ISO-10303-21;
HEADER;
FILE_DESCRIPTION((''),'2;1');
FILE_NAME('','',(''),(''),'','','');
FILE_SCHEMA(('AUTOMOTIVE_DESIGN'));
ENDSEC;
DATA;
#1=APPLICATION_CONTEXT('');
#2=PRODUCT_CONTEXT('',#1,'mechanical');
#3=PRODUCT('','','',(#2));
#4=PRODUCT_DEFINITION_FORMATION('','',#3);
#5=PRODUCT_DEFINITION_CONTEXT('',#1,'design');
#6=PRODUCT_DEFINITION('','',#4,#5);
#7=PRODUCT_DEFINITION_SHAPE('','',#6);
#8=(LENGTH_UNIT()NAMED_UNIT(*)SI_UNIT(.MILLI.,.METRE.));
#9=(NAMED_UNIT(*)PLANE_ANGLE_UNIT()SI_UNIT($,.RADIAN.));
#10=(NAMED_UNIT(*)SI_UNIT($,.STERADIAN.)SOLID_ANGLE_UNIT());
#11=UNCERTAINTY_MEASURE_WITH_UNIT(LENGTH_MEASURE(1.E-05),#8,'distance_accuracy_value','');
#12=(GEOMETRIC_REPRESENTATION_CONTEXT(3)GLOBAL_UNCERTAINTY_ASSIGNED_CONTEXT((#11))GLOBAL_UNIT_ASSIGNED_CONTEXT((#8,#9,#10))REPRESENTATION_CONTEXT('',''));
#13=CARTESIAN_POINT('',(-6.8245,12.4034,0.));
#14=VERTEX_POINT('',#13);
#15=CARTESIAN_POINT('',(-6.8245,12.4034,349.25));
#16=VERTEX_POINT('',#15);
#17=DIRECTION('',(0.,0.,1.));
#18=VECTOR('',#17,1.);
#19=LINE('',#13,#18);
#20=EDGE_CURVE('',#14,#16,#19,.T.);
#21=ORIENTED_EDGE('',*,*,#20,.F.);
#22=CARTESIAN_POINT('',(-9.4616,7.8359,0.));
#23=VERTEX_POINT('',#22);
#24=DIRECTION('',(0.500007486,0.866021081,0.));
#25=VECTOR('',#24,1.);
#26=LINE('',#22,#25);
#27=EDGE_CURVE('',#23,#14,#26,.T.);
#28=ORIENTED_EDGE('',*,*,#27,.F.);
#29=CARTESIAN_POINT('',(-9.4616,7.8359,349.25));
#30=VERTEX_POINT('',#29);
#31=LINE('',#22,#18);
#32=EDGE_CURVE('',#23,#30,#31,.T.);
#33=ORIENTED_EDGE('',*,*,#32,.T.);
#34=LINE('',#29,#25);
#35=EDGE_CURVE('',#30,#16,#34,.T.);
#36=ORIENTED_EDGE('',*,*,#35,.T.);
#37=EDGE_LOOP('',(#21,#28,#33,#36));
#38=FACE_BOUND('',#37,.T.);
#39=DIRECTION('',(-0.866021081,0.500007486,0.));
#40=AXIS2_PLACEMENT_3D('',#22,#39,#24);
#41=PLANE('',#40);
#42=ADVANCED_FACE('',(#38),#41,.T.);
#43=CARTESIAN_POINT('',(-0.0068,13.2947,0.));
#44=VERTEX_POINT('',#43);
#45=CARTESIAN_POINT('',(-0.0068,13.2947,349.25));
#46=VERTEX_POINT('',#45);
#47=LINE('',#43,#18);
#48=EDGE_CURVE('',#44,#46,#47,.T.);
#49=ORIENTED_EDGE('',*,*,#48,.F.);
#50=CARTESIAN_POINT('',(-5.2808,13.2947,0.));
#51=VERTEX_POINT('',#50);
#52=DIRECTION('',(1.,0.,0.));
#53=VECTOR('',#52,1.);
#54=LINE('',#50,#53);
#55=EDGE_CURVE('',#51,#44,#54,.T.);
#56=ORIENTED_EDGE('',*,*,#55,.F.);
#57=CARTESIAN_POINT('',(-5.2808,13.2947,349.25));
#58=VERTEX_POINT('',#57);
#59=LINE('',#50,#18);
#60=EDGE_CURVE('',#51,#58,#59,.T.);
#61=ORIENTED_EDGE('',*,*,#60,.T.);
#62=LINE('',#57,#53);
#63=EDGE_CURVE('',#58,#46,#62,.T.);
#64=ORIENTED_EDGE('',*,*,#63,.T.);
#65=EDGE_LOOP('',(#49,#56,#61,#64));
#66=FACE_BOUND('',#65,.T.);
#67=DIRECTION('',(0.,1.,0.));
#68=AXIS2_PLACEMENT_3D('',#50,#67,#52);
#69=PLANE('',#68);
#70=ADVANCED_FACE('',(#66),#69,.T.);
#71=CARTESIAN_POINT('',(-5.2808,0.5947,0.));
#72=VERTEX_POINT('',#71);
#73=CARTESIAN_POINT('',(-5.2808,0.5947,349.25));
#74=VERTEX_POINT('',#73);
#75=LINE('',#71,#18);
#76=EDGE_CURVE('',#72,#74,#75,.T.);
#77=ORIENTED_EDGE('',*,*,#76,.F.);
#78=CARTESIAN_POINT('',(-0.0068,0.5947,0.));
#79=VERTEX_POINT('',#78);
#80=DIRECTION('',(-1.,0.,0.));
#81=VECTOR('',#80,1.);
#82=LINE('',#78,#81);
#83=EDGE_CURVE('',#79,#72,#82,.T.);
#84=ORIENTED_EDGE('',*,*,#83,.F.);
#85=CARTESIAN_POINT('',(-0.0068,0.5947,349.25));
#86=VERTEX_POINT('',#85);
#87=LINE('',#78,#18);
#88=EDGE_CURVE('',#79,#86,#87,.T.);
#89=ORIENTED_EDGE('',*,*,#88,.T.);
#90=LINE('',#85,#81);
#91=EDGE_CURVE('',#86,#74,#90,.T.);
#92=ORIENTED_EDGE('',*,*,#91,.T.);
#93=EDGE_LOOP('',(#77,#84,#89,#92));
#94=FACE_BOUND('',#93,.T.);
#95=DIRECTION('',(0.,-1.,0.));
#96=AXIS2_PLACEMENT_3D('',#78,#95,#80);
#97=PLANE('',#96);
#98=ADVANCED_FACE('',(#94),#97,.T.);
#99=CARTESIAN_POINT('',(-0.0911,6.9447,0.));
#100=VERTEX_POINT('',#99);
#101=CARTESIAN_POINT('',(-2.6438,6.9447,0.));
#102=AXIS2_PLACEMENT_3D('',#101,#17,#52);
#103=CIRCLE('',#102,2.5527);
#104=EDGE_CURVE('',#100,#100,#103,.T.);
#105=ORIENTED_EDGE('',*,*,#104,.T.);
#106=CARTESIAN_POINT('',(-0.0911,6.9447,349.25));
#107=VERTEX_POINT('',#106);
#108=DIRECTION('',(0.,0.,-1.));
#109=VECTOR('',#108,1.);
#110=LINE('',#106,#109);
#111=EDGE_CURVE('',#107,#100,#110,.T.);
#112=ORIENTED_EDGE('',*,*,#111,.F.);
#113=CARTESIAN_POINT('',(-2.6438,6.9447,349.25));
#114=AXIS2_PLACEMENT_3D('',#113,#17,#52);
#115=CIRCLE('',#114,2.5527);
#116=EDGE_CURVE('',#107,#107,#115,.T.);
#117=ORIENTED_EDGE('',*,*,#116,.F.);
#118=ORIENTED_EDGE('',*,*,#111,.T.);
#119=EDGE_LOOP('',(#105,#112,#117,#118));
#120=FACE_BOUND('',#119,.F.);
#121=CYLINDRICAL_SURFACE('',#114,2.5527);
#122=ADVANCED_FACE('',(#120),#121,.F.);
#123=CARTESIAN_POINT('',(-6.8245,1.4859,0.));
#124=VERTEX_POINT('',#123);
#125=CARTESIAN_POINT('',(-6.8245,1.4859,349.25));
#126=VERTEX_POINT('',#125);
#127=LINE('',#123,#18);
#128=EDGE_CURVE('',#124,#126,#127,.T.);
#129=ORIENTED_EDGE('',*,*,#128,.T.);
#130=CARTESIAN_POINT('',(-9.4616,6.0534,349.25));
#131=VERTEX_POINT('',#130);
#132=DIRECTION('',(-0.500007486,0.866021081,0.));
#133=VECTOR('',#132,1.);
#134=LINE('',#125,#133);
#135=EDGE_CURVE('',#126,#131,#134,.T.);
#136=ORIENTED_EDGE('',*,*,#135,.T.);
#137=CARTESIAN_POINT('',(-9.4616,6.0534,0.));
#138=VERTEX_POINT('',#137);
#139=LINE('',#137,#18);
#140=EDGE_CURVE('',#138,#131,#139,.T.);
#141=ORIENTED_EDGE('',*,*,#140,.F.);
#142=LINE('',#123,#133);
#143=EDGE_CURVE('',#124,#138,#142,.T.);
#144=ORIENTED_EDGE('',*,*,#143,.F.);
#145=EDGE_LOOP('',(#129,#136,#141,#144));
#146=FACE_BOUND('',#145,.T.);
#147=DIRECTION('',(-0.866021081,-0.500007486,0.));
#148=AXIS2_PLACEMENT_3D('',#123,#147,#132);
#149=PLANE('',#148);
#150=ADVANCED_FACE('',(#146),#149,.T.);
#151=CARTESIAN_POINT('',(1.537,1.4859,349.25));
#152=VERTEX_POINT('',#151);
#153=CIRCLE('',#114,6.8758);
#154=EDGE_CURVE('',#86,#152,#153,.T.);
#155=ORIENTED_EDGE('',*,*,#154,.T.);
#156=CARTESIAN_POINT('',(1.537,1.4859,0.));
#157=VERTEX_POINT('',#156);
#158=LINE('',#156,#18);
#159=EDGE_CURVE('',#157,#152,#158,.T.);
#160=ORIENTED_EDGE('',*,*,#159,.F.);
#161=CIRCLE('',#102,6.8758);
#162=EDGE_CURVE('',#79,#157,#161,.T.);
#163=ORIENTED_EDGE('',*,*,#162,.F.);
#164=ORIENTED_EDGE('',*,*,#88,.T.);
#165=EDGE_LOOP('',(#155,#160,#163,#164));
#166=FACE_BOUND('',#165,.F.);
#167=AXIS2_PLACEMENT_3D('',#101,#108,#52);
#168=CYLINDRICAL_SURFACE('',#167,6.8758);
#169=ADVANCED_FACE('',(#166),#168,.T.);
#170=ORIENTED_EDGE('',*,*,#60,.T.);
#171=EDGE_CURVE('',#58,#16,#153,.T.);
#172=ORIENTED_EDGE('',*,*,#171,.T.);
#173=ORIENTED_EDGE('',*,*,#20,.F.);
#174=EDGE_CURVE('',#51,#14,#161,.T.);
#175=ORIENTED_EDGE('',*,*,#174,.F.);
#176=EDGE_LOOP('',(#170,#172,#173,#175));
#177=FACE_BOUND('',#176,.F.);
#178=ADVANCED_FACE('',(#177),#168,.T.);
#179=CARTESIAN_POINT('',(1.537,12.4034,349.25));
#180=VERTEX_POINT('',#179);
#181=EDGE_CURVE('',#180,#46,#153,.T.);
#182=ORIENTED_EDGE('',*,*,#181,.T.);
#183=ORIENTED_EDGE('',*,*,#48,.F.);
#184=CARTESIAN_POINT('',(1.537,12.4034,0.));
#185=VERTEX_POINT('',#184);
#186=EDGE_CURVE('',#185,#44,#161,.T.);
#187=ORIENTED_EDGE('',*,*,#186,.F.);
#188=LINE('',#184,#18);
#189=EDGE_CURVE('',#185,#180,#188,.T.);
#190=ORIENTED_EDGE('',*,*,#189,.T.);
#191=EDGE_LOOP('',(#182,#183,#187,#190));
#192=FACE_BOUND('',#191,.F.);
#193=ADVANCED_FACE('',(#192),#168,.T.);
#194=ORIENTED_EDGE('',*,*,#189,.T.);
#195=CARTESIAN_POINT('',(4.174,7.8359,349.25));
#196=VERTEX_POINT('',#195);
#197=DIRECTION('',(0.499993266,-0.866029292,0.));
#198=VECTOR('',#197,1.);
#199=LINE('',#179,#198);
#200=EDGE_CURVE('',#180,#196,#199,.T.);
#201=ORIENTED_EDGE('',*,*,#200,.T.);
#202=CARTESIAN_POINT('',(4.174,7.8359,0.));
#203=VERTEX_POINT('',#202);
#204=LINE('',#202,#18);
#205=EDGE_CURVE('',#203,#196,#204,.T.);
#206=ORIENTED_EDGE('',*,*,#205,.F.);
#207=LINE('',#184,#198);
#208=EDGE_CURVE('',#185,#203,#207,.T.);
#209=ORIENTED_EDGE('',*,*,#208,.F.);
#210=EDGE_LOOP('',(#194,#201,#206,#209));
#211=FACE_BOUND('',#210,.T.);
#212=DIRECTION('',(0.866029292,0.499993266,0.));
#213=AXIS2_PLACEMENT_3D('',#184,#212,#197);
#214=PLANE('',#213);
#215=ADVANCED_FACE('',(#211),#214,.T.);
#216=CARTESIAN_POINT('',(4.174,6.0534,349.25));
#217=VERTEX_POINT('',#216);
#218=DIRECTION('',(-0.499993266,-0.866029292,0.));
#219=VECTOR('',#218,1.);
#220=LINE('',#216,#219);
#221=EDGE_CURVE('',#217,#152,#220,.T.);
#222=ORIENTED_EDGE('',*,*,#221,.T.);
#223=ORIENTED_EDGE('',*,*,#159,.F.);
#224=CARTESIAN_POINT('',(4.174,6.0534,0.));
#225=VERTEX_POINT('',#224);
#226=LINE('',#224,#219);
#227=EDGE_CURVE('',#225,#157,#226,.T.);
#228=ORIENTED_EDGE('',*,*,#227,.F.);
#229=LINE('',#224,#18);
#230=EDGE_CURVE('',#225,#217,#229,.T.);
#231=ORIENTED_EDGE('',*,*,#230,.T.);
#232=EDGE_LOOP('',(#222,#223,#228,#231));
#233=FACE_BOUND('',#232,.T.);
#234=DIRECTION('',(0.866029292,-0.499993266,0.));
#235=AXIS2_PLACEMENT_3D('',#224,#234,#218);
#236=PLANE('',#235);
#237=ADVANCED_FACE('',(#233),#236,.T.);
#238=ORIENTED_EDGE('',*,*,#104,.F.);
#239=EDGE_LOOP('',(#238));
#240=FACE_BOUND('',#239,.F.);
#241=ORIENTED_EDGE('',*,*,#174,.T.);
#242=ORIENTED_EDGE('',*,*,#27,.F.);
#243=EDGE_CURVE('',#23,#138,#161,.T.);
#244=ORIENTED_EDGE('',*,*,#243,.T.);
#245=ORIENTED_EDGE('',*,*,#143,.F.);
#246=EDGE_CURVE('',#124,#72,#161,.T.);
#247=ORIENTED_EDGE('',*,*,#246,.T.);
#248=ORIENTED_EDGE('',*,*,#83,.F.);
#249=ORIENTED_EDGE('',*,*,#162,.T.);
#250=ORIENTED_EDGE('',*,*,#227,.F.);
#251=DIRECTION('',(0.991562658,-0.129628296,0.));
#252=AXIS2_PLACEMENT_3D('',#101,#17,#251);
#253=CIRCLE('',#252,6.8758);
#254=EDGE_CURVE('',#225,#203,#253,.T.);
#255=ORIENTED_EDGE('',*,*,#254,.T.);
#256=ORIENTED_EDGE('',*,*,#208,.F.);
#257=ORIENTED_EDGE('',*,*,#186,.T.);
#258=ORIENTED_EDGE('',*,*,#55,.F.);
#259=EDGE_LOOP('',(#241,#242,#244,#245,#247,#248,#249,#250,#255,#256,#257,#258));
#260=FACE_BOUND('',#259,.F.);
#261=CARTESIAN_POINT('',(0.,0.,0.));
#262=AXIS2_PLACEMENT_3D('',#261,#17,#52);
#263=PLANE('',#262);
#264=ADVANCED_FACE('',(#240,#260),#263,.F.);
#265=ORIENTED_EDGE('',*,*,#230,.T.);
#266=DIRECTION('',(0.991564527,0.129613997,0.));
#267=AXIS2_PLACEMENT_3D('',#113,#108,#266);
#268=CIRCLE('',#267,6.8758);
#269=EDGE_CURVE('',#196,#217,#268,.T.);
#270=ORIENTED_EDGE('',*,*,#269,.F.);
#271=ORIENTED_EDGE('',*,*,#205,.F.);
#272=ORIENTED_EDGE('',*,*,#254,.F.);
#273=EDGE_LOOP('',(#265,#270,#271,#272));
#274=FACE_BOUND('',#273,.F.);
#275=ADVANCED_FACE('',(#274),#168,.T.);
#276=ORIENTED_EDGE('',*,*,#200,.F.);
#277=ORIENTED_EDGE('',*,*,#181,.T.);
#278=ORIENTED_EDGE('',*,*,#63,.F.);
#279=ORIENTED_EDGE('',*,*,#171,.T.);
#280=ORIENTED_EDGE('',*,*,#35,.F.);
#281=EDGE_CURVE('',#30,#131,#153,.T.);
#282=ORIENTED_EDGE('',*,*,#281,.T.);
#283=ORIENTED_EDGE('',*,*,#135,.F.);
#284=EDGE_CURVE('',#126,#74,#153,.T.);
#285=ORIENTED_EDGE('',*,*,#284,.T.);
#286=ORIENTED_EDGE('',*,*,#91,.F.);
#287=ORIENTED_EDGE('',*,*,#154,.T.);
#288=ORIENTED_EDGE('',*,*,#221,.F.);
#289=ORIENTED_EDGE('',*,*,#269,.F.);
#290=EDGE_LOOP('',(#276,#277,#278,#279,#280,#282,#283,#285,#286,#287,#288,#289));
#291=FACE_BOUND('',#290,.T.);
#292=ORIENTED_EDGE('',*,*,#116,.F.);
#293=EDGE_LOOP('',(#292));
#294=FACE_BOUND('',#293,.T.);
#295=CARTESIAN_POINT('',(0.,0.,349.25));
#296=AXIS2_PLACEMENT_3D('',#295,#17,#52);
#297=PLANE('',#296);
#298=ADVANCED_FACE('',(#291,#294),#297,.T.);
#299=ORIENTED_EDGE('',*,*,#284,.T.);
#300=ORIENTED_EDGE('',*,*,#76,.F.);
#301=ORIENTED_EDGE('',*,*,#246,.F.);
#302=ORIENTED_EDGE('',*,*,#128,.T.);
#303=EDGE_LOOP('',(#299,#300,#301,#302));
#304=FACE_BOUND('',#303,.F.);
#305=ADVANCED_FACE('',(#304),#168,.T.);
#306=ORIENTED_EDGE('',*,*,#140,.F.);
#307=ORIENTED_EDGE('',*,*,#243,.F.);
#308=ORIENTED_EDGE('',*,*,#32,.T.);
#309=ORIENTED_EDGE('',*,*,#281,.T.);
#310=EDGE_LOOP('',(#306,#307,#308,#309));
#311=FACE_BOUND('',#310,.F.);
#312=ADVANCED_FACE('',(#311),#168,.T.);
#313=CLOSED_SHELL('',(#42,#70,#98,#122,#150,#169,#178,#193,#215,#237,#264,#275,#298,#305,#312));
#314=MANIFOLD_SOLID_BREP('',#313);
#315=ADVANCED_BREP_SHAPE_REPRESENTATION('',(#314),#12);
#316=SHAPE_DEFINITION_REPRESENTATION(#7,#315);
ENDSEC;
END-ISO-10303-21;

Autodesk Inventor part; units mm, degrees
ref_plane "YZ Plane" through (0, 0, 0) normal (1, 0, 0) x (0, 1, 0)
ref_plane "XZ Plane" through (0, 0, 0) normal (0, 1, 0) x (-1, 0, 0)
ref_plane "XY Plane" through (0, 0, 0) normal (0, 0, 1) x (1, 0, 0)
sketch "Sketch1" plane through (0, 0, 0) normal (0, 0, 1) x (1, 0, 0)
  circle A0 centre (-2.6438, 6.9447) radius 6.8758
  line L0 (-9.4616, 7.8359) -> (-6.8245, 12.4034)
  line L1 (-6.8245, 1.4859) -> (-9.4616, 6.0534)
  line L2 (-0.0068, 0.5947) -> (-5.2808, 0.5947)
  line L3 (4.174, 6.0534) -> (1.537, 1.4859)
  line L4 (1.537, 12.4034) -> (4.174, 7.8359)
  line L5 (-5.2808, 13.2947) -> (-0.0068, 13.2947)
  point P0 (0, 0)
  point P1 (1.537, 1.4859)
  dimension "d0" = 13.7516
  dimension "d4" = 360
extrude "Extrusion1" add sketch "Sketch1" along normal blind 349.25 contours A0 L3 L2 L1 L0 L5 L4
sketch "Sketch2" plane through (0, 0, 349.25) normal (0, 0, 1) x (1, 0, 0)
  circle A0 centre (-2.6438, 6.9447) radius 2.5527
  line L0 (-5.2808, 0.5947) -> (-0.0068, 0.5947) projected
  line L1 (-2.6438, 6.9447) -> (-5.2808, 0.5947) construction
  line L2 (-2.6438, 6.9447) -> (-0.0068, 0.5947) construction
  point P0 (0, 0)
  dimension "d8" = 5.1054
  dimension "d9" = 6.35
extrude "Extrusion2" cut sketch "Sketch2" against normal blind 349.25
equation "\"d6\" = d5"
equation "\"d10\" = d5"
equation "\"d5\" = 349.25"
properties part number "5.5 thundershaft" material "Aluminum 6061"
